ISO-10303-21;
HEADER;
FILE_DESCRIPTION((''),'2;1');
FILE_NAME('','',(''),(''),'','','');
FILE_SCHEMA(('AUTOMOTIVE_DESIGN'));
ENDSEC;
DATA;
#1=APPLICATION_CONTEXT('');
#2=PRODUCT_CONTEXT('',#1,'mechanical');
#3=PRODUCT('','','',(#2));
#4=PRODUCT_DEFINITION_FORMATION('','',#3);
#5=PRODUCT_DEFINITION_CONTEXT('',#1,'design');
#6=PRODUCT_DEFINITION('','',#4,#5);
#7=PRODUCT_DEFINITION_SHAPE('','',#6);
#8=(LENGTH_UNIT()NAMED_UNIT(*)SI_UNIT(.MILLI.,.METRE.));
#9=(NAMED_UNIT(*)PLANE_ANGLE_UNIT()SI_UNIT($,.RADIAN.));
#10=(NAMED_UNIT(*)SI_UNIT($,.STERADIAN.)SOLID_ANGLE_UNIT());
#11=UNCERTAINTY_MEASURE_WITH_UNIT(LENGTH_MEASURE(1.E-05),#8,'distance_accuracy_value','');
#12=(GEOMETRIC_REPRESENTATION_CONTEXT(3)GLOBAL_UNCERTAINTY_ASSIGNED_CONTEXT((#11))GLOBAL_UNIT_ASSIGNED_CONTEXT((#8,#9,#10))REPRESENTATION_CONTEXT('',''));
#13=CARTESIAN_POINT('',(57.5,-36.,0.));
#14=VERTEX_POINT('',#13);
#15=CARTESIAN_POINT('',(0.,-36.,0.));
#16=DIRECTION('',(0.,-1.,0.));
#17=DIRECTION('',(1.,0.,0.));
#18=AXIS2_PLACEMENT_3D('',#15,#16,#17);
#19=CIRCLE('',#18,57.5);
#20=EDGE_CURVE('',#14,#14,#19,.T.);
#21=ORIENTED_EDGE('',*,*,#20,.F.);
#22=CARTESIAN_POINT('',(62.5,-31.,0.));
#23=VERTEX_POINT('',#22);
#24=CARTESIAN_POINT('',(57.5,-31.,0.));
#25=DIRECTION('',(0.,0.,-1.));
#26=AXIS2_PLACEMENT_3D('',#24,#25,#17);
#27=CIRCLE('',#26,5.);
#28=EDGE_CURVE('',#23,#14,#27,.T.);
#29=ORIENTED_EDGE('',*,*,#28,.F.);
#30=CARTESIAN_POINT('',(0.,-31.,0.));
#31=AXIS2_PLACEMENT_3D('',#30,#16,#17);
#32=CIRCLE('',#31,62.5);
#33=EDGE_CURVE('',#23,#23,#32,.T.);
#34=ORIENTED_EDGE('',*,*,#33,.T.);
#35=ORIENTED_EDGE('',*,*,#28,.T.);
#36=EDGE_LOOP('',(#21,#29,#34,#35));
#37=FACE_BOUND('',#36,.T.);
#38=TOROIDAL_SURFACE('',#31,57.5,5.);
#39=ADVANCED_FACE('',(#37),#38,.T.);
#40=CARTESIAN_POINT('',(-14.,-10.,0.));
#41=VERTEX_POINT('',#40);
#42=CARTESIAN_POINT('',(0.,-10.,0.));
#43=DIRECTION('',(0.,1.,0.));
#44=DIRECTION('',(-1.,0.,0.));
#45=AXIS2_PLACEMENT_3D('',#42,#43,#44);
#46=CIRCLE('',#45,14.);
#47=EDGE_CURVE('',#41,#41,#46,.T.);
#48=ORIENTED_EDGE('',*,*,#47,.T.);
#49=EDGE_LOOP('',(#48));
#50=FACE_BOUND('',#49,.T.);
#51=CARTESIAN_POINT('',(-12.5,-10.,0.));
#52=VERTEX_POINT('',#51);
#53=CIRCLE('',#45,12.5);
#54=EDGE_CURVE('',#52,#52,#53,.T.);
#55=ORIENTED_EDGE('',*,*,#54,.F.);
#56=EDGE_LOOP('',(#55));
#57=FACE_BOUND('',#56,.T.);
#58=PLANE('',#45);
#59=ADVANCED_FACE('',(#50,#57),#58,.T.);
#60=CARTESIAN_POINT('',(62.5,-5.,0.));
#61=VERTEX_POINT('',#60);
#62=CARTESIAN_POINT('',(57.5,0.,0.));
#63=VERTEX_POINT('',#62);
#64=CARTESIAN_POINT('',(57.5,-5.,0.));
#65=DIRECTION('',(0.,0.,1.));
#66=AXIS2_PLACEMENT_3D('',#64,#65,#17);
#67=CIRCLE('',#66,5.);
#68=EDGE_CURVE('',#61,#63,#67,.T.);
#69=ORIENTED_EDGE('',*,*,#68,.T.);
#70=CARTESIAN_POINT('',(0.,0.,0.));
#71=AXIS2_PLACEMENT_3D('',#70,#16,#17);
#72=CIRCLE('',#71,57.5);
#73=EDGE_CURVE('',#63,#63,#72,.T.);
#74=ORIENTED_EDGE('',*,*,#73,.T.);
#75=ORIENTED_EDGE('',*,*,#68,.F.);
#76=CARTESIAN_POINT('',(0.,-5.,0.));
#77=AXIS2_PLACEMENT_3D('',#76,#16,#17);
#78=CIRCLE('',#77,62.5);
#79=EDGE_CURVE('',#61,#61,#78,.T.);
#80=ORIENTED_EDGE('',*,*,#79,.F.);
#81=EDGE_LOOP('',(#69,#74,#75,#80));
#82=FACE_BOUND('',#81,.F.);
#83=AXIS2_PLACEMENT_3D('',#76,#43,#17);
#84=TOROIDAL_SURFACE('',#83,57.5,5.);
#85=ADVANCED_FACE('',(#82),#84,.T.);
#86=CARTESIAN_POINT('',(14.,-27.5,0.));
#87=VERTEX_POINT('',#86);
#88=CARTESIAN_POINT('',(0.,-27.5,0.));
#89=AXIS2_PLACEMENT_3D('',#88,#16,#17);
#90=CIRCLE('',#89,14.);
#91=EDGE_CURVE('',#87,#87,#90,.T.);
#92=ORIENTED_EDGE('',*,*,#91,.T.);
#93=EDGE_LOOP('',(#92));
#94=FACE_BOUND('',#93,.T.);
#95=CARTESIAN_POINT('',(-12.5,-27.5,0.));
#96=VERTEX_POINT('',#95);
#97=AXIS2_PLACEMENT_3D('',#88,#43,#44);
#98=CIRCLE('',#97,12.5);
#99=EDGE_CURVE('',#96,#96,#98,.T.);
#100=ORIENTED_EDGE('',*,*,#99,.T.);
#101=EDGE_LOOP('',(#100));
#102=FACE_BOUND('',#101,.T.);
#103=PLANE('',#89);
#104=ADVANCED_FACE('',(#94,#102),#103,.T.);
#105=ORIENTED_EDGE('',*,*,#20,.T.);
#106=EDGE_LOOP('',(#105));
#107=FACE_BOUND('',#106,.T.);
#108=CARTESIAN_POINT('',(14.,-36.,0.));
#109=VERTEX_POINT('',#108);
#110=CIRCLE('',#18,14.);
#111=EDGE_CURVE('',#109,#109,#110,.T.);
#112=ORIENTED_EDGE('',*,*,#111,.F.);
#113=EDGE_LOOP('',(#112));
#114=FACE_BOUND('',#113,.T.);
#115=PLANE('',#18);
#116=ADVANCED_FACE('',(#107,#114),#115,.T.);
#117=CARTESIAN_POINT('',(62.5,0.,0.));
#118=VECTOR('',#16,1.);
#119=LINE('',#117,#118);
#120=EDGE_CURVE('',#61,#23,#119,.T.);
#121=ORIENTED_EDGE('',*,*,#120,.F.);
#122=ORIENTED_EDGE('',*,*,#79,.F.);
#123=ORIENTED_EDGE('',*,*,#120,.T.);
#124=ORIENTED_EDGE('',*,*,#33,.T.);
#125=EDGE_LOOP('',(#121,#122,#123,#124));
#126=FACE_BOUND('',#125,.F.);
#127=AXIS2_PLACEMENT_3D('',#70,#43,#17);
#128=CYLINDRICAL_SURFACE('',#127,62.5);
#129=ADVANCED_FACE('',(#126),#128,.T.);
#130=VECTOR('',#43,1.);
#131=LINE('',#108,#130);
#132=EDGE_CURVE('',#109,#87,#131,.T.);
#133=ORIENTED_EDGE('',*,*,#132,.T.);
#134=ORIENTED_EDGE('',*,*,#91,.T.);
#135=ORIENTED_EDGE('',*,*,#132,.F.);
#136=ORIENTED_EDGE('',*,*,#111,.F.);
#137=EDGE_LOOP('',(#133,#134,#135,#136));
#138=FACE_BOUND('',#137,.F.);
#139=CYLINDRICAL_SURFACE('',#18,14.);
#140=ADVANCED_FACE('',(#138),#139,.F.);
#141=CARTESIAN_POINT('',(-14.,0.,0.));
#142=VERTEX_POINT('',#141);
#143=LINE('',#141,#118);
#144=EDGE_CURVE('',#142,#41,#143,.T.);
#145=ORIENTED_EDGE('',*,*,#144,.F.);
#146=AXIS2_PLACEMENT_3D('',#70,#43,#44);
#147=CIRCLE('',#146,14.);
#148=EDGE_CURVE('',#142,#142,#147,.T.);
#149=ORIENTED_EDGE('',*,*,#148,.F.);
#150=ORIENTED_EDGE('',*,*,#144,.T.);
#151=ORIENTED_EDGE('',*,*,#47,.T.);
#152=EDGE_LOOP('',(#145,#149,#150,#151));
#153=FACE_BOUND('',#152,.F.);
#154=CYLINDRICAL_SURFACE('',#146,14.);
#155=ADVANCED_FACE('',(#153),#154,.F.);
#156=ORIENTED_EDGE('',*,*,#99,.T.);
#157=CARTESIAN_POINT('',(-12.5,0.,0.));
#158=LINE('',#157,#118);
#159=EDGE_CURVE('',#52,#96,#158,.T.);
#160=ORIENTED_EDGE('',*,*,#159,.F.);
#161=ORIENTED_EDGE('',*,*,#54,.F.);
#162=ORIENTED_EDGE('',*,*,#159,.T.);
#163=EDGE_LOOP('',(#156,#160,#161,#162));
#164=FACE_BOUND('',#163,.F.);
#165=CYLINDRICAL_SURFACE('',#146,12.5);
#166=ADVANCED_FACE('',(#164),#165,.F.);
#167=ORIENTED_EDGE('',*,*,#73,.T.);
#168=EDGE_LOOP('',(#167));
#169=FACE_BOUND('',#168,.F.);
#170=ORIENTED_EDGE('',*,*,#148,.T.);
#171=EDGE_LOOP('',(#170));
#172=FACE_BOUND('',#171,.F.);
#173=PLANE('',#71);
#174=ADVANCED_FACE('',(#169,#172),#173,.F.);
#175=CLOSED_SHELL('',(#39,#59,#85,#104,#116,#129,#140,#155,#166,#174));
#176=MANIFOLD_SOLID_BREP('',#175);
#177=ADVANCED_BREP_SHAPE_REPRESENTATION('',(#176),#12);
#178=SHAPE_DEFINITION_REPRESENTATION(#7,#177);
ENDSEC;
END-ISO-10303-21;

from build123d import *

# Parameters (mm, degrees)
F0_R     = 62.5
F1_DEPTH = 36
F2_R     = 5
F3_R     = 12.5
F4_DEPTH = 36.001
F5_R     = 14
F6_DEPTH = 8.5
F7_R     = 14
F8_DEPTH = 10


with BuildPart() as f1:
    # F0 (on Front) → F1 (new body)
    with BuildSketch(Plane.XZ):
        Circle(F0_R)
    extrude(amount=F1_DEPTH)

    # F2
    f2_edges = [f1.edges().sort_by_distance(p)[0] for p in [
        (-62.5, -36, 0),
        (-62.5, 0, 0),
    ]]
    fillet(f2_edges, radius=F2_R)

    # F3 (on face) → F4 (cut, through all)
    with BuildSketch(Plane(origin=(0, 0, 0), x_dir=(-1, 0, 0), z_dir=(0, 1, 0))):
        Circle(F3_R)
    extrude(amount=-F4_DEPTH, mode=Mode.SUBTRACT)

    # F5 (on face) → F6 (cut)
    with BuildSketch(Plane.XZ.offset(36)):
        Circle(F5_R)
    extrude(amount=-F6_DEPTH, mode=Mode.SUBTRACT)

    # F7 (on face) → F8 (cut)
    with BuildSketch(Plane(origin=(0, 0, 0), x_dir=(-1, 0, 0), z_dir=(0, 1, 0))):
        Circle(F7_R)
    extrude(amount=-F8_DEPTH, mode=Mode.SUBTRACT)


solid = f1.part
